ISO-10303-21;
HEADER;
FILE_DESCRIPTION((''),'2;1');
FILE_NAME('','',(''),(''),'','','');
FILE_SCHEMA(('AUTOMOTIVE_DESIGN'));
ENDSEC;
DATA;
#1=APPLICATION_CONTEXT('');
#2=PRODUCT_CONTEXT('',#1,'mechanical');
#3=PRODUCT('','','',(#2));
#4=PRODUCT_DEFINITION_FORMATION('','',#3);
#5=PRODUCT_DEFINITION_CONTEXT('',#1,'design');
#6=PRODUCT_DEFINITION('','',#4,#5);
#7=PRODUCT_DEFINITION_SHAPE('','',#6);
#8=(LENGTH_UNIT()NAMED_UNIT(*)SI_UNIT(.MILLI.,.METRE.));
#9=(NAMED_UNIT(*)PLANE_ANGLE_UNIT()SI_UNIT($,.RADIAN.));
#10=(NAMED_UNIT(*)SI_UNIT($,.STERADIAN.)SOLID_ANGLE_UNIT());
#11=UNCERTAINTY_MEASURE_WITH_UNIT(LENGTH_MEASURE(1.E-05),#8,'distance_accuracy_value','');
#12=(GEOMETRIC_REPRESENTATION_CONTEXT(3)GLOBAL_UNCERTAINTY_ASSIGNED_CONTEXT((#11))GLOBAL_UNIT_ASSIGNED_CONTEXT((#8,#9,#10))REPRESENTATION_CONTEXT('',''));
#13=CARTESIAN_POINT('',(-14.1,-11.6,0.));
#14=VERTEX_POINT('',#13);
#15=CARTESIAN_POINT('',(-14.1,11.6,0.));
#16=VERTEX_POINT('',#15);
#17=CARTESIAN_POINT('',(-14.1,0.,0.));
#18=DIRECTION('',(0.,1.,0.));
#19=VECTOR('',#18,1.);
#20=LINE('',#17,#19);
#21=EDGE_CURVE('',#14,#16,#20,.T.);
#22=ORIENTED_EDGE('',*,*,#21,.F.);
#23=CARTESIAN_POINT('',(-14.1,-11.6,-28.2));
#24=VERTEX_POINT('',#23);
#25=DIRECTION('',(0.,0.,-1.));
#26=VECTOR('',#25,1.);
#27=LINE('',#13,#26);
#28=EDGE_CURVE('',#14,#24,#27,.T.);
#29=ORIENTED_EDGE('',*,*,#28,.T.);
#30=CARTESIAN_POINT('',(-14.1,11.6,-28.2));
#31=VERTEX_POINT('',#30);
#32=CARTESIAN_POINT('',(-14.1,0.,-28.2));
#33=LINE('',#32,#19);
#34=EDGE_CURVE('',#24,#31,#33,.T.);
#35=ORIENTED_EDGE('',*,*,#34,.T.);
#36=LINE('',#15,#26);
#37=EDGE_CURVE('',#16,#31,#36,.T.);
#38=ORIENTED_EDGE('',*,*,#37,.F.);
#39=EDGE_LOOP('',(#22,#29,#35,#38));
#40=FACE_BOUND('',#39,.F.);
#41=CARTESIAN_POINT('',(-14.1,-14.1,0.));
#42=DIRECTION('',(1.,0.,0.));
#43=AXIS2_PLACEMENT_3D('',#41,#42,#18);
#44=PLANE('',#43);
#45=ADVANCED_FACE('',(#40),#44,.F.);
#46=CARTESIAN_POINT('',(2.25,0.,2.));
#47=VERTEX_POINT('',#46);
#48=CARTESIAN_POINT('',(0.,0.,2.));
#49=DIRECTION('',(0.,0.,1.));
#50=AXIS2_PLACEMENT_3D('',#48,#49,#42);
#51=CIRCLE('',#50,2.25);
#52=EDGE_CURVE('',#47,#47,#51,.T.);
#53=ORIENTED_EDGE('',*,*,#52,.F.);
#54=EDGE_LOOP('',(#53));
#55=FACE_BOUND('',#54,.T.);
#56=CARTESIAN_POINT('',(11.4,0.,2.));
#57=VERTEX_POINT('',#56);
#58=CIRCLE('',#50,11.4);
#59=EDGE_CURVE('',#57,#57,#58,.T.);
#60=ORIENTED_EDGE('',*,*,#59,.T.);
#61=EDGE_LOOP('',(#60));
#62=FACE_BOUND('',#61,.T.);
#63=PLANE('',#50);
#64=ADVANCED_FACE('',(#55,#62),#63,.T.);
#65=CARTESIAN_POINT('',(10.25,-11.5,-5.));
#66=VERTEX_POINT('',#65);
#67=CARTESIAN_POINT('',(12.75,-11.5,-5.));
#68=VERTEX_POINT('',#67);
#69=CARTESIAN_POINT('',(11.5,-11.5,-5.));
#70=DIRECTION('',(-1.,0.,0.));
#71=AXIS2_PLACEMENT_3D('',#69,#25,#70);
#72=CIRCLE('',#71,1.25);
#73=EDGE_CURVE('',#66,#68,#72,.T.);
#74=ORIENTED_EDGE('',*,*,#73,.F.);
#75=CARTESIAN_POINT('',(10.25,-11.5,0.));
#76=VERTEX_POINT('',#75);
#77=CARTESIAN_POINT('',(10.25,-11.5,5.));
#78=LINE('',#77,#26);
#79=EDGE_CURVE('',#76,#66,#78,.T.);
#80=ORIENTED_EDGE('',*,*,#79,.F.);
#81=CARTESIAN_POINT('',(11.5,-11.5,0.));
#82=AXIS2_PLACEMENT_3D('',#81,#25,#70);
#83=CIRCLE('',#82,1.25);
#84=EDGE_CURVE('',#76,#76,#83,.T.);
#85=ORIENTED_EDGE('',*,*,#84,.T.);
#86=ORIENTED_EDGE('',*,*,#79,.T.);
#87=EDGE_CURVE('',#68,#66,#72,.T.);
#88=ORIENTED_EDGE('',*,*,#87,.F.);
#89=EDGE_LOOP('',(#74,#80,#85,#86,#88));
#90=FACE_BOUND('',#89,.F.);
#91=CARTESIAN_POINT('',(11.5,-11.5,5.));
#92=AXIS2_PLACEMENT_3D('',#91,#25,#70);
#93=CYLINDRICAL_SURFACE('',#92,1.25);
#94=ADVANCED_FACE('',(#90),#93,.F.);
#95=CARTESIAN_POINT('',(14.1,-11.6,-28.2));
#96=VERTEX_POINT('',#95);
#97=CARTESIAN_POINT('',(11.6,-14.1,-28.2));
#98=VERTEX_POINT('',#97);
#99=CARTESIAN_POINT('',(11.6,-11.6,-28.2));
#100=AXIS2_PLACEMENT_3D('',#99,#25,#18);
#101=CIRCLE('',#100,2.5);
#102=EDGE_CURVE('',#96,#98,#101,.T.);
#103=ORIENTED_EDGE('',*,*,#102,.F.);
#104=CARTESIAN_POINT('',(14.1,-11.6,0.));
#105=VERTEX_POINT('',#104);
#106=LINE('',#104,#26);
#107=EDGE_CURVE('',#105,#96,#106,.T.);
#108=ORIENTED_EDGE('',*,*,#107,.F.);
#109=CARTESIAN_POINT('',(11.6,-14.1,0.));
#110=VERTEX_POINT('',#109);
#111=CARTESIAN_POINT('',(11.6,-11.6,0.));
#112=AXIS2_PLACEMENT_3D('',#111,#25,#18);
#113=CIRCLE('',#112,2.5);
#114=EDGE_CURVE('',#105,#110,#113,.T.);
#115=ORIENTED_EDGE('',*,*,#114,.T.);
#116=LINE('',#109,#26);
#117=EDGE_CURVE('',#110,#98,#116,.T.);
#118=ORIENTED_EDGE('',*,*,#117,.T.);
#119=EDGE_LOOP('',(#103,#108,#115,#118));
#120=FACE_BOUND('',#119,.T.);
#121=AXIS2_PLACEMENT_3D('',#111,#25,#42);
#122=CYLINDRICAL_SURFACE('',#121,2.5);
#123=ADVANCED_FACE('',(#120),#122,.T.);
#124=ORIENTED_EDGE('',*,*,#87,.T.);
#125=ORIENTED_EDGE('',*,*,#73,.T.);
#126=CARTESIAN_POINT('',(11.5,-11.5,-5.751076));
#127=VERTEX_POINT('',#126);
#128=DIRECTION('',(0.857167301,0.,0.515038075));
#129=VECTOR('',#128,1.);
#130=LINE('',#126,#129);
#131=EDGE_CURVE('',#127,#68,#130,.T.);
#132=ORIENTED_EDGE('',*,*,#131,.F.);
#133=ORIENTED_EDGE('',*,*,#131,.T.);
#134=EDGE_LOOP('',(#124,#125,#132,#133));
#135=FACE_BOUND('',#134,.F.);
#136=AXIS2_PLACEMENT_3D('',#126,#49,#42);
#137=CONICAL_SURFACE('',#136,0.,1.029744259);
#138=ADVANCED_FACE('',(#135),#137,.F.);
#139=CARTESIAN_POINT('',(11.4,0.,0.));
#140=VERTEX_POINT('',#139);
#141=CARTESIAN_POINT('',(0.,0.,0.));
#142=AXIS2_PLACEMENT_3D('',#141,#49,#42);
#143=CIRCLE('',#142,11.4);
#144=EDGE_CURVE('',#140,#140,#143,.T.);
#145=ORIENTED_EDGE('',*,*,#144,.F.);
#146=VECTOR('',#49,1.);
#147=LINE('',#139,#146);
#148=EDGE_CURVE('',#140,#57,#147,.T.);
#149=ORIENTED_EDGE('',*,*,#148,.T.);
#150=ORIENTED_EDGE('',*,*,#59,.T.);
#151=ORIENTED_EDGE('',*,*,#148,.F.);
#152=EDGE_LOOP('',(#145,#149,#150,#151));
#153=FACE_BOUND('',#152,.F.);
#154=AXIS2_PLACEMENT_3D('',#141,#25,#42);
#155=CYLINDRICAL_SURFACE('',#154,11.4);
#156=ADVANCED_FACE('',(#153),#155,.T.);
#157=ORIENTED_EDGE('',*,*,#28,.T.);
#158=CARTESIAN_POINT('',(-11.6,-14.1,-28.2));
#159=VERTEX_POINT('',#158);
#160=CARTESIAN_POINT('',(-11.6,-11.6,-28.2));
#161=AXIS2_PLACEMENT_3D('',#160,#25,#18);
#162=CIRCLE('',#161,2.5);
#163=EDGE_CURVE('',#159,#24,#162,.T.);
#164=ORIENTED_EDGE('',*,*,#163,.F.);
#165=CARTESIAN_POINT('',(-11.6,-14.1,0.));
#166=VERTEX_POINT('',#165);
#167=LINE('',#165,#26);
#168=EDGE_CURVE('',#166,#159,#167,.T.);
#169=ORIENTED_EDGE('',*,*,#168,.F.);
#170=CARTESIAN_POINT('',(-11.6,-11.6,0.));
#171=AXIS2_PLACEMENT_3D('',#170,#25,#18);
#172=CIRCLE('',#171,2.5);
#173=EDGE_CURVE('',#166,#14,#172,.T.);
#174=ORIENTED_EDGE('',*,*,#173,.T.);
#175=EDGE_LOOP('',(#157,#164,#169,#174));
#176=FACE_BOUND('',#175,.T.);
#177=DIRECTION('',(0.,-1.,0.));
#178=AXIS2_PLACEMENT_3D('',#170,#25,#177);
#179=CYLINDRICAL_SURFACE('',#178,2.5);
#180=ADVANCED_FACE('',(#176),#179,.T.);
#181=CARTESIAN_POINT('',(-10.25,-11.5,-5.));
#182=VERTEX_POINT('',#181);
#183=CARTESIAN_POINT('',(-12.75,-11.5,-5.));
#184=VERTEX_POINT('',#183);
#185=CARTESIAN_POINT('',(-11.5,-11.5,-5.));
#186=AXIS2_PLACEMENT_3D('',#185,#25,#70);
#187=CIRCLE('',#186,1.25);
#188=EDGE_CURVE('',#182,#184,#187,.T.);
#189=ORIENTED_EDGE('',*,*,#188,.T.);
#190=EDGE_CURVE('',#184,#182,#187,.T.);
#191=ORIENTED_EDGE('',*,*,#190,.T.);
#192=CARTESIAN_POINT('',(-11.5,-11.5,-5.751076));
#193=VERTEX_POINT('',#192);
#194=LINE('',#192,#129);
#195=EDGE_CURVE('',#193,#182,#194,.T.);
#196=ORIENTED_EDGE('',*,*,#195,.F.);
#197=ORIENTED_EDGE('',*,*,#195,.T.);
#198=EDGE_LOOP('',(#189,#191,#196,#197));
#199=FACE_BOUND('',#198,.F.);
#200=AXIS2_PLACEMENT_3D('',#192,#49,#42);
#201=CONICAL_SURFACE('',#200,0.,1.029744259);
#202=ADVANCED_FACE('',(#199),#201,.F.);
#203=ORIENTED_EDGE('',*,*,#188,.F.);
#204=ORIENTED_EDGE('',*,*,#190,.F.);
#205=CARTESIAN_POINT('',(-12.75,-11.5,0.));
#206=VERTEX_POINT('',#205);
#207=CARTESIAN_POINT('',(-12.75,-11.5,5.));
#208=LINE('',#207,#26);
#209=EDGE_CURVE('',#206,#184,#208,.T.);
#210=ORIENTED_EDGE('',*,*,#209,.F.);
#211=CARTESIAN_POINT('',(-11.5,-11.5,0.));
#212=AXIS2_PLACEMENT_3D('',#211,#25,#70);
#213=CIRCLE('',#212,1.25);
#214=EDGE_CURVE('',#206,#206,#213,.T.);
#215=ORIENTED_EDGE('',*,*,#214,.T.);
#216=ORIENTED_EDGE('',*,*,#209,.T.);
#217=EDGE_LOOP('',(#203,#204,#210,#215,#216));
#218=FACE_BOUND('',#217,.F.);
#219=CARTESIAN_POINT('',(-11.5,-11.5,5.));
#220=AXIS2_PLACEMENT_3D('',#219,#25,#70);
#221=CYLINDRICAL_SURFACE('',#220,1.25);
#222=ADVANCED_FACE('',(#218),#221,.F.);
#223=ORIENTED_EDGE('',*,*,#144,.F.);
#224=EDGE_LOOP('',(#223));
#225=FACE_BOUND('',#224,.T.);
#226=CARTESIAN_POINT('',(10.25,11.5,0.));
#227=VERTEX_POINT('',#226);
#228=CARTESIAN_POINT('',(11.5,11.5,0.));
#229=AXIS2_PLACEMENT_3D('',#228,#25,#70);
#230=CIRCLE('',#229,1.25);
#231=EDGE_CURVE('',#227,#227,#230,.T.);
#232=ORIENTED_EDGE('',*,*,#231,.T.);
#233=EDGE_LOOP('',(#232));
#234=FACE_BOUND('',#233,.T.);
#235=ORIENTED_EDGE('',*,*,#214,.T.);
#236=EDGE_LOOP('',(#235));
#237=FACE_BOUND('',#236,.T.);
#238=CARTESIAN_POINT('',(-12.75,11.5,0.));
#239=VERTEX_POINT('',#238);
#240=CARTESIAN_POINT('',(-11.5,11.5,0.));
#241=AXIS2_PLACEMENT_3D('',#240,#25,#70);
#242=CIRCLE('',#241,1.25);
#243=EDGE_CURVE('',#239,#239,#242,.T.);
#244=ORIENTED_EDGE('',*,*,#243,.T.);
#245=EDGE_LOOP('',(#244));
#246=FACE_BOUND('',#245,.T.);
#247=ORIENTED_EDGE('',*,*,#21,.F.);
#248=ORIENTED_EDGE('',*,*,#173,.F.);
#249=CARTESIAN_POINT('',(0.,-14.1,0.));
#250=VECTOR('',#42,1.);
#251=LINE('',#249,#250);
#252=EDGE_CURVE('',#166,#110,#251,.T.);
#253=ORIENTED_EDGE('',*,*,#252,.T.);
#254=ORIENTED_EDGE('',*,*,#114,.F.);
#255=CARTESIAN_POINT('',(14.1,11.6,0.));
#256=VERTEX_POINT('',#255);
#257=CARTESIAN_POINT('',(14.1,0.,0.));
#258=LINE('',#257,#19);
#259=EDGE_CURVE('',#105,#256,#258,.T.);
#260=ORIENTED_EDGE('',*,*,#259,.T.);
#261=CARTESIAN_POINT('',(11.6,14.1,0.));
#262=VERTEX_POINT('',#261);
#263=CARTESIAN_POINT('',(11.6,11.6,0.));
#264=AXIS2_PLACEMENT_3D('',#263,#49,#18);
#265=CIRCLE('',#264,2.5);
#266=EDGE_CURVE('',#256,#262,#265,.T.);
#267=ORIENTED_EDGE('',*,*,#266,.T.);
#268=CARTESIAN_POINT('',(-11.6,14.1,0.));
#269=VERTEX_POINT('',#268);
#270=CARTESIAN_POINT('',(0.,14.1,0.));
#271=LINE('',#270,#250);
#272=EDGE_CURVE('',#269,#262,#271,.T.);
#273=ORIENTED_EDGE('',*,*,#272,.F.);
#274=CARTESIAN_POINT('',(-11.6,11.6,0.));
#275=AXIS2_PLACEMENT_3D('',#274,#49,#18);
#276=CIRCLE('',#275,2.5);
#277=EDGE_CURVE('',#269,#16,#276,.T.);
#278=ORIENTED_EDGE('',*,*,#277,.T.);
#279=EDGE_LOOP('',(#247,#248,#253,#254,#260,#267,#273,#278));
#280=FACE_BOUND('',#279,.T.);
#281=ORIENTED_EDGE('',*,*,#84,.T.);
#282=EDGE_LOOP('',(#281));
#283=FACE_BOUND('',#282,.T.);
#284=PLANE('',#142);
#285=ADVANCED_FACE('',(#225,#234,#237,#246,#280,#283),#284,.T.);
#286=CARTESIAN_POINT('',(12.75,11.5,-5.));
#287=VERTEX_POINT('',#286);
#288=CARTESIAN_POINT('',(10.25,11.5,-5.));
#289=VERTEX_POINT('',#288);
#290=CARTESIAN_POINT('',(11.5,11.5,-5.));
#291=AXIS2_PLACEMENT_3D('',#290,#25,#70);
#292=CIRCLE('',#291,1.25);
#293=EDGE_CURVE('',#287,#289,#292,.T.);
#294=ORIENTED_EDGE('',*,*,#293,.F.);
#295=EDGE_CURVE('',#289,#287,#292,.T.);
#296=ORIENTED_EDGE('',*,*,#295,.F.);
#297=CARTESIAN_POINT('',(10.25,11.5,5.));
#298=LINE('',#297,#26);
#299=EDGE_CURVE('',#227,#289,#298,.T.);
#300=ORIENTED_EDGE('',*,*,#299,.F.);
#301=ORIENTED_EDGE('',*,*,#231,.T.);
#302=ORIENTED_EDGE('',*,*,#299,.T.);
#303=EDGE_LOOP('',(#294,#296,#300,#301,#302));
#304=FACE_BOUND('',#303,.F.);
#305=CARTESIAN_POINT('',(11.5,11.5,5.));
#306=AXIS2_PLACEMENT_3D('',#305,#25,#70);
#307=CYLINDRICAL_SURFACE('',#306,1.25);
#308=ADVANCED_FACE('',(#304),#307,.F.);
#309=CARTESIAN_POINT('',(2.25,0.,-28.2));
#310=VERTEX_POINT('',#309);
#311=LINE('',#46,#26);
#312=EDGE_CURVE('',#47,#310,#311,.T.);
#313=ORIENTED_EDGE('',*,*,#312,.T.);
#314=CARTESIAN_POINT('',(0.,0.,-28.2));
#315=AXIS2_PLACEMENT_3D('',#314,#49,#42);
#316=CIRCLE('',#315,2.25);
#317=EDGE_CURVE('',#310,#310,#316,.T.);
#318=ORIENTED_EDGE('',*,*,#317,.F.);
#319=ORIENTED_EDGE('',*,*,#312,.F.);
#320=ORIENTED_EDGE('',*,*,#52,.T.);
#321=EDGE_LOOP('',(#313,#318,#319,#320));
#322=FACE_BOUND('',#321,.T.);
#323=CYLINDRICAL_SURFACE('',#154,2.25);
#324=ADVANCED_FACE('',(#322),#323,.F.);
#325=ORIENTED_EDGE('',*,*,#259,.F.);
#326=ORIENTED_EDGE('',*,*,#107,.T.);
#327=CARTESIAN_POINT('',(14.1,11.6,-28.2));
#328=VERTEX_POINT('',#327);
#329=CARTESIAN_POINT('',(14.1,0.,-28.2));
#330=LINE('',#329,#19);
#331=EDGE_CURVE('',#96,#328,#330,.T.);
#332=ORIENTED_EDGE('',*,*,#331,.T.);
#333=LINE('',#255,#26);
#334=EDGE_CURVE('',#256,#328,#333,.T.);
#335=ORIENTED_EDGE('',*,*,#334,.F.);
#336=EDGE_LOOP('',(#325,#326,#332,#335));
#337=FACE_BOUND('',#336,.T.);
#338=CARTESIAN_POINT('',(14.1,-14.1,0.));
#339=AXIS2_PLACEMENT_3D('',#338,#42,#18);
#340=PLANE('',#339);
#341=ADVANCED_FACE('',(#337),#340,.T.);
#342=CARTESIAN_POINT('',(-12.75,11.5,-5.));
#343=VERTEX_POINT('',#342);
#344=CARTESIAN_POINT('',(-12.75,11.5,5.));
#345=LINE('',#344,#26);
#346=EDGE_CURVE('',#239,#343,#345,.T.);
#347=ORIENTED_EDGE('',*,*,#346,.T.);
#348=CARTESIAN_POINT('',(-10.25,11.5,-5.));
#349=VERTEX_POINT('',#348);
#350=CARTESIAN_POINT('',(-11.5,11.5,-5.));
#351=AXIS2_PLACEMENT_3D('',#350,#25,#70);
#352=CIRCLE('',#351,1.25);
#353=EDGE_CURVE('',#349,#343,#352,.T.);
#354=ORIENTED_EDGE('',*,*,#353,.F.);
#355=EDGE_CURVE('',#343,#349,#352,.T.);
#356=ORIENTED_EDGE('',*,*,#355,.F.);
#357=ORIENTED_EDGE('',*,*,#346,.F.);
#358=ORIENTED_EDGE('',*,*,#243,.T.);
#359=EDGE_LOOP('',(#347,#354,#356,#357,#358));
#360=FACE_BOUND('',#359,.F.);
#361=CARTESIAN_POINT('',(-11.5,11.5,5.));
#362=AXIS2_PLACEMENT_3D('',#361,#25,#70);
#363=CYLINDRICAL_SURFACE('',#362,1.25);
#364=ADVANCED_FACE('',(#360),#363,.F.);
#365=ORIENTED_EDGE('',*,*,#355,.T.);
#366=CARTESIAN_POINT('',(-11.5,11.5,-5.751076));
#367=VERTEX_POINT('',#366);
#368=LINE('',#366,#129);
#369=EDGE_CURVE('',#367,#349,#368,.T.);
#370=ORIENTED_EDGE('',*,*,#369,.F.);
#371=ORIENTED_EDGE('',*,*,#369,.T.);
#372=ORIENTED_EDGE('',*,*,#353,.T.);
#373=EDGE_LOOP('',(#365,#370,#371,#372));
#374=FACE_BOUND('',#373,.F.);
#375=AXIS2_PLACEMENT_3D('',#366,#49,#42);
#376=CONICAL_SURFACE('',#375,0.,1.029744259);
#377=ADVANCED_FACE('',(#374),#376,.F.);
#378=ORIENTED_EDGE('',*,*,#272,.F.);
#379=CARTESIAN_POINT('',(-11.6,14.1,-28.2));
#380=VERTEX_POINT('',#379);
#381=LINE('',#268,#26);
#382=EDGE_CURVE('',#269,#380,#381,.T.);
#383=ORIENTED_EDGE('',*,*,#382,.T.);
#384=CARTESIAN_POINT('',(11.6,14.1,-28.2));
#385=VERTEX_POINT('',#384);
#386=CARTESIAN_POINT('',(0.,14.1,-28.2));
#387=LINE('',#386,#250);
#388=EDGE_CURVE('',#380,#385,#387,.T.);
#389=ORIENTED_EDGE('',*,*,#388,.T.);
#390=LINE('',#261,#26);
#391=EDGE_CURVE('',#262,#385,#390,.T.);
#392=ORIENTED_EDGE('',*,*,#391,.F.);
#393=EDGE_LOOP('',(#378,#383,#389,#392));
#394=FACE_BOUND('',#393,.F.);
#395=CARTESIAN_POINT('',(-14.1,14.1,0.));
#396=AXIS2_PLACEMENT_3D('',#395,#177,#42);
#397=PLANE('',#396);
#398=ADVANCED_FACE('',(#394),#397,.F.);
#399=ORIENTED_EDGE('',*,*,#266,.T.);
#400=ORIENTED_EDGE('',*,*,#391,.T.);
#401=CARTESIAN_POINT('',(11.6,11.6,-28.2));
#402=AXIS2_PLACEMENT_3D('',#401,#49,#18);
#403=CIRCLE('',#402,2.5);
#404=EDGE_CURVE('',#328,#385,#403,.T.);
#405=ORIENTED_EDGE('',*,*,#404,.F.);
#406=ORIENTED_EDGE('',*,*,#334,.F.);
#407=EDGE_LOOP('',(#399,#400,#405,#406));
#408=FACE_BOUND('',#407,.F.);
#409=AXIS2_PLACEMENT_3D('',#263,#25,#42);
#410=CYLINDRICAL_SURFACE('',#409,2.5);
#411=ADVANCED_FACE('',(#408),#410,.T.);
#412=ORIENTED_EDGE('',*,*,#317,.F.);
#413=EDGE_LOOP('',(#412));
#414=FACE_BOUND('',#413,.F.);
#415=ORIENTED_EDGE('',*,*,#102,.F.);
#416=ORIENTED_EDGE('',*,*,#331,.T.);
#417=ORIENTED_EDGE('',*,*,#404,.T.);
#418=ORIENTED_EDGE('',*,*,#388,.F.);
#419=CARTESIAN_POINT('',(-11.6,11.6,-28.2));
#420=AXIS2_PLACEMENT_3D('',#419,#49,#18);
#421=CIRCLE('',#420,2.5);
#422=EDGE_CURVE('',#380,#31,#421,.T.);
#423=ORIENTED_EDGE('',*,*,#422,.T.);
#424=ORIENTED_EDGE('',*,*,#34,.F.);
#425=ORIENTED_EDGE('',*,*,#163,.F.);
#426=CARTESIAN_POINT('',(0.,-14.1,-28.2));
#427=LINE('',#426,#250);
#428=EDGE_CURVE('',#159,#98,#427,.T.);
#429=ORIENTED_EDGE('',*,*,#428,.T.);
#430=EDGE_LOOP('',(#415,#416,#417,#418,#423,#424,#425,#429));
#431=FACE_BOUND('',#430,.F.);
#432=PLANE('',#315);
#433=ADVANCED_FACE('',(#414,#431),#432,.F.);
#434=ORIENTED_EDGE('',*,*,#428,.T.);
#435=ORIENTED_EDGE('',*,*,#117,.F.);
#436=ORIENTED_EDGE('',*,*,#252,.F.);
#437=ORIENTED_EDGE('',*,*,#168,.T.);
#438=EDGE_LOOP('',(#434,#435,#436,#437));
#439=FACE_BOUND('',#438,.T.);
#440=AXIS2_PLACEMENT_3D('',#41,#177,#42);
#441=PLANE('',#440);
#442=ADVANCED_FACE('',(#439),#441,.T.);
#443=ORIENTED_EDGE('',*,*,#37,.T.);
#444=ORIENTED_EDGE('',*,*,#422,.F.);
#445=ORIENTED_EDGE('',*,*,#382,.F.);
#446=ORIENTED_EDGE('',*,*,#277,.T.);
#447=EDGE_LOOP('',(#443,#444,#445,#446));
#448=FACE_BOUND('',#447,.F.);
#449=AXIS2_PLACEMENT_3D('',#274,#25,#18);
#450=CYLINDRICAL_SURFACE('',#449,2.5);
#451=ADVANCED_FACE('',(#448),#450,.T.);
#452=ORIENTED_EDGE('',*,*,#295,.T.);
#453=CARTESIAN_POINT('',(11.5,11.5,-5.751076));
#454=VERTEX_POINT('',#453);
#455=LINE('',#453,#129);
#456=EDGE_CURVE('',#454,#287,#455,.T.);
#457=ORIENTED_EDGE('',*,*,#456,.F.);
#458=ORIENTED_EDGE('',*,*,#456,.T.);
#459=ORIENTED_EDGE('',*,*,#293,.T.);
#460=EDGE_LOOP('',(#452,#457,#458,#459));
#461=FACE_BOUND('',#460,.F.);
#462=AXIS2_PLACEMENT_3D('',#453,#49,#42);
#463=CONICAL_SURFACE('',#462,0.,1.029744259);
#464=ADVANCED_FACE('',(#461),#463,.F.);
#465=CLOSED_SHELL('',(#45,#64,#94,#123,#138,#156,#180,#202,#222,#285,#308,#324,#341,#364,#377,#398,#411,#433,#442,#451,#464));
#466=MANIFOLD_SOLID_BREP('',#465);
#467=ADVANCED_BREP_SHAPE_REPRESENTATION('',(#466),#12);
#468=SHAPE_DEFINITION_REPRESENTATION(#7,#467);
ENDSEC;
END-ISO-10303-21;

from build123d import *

# Parameters (mm, degrees)
F0_W     = 28.2
F0_H     = 28.2
F0_R     = 11.4
F0_R_2   = 2.25
F1_DEPTH = 28.2
F2_DEPTH = 2
F3_R     = 2.5
F5_D     = 2.5
F5_DEPTH = 5
F5_TIP   = 0.7510757738


with BuildPart() as f1:
    # F0 (on Top) → F1 (new body)
    with BuildSketch(Plane.XY):
        Rectangle(F0_W, F0_H)
        Circle(F0_R, mode=Mode.SUBTRACT)
        Circle(F0_R)
        Circle(F0_R_2, mode=Mode.SUBTRACT)
    extrude(amount=-F1_DEPTH)

    # F0 (on Top) → F2 (join)
    with BuildSketch(Plane.XY):
        Circle(F0_R)
        Circle(F0_R_2, mode=Mode.SUBTRACT)
    extrude(amount=F2_DEPTH)

    # F3
    f3_edges = [f1.edges().sort_by_distance(p)[0] for p in [
        (-14.1, -14.1, -14.1),
        (14.1, -14.1, -14.1),
        (-14.1, 14.1, -14.1),
        (14.1, 14.1, -14.1),
    ]]
    fillet(f3_edges, radius=F3_R)

    # F5
    with Locations(Plane.XY):
        with Locations((-11.5, 11.5), (11.5, 11.5), (11.5, -11.5), (-11.5, -11.5)):
            Hole(F5_D / 2, depth=F5_DEPTH)
            with Locations((0, 0, -(F5_DEPTH + F5_TIP / 2))):  # 118° drill point
                Cone(0, F5_D / 2, F5_TIP, mode=Mode.SUBTRACT)


solid = f1.part
